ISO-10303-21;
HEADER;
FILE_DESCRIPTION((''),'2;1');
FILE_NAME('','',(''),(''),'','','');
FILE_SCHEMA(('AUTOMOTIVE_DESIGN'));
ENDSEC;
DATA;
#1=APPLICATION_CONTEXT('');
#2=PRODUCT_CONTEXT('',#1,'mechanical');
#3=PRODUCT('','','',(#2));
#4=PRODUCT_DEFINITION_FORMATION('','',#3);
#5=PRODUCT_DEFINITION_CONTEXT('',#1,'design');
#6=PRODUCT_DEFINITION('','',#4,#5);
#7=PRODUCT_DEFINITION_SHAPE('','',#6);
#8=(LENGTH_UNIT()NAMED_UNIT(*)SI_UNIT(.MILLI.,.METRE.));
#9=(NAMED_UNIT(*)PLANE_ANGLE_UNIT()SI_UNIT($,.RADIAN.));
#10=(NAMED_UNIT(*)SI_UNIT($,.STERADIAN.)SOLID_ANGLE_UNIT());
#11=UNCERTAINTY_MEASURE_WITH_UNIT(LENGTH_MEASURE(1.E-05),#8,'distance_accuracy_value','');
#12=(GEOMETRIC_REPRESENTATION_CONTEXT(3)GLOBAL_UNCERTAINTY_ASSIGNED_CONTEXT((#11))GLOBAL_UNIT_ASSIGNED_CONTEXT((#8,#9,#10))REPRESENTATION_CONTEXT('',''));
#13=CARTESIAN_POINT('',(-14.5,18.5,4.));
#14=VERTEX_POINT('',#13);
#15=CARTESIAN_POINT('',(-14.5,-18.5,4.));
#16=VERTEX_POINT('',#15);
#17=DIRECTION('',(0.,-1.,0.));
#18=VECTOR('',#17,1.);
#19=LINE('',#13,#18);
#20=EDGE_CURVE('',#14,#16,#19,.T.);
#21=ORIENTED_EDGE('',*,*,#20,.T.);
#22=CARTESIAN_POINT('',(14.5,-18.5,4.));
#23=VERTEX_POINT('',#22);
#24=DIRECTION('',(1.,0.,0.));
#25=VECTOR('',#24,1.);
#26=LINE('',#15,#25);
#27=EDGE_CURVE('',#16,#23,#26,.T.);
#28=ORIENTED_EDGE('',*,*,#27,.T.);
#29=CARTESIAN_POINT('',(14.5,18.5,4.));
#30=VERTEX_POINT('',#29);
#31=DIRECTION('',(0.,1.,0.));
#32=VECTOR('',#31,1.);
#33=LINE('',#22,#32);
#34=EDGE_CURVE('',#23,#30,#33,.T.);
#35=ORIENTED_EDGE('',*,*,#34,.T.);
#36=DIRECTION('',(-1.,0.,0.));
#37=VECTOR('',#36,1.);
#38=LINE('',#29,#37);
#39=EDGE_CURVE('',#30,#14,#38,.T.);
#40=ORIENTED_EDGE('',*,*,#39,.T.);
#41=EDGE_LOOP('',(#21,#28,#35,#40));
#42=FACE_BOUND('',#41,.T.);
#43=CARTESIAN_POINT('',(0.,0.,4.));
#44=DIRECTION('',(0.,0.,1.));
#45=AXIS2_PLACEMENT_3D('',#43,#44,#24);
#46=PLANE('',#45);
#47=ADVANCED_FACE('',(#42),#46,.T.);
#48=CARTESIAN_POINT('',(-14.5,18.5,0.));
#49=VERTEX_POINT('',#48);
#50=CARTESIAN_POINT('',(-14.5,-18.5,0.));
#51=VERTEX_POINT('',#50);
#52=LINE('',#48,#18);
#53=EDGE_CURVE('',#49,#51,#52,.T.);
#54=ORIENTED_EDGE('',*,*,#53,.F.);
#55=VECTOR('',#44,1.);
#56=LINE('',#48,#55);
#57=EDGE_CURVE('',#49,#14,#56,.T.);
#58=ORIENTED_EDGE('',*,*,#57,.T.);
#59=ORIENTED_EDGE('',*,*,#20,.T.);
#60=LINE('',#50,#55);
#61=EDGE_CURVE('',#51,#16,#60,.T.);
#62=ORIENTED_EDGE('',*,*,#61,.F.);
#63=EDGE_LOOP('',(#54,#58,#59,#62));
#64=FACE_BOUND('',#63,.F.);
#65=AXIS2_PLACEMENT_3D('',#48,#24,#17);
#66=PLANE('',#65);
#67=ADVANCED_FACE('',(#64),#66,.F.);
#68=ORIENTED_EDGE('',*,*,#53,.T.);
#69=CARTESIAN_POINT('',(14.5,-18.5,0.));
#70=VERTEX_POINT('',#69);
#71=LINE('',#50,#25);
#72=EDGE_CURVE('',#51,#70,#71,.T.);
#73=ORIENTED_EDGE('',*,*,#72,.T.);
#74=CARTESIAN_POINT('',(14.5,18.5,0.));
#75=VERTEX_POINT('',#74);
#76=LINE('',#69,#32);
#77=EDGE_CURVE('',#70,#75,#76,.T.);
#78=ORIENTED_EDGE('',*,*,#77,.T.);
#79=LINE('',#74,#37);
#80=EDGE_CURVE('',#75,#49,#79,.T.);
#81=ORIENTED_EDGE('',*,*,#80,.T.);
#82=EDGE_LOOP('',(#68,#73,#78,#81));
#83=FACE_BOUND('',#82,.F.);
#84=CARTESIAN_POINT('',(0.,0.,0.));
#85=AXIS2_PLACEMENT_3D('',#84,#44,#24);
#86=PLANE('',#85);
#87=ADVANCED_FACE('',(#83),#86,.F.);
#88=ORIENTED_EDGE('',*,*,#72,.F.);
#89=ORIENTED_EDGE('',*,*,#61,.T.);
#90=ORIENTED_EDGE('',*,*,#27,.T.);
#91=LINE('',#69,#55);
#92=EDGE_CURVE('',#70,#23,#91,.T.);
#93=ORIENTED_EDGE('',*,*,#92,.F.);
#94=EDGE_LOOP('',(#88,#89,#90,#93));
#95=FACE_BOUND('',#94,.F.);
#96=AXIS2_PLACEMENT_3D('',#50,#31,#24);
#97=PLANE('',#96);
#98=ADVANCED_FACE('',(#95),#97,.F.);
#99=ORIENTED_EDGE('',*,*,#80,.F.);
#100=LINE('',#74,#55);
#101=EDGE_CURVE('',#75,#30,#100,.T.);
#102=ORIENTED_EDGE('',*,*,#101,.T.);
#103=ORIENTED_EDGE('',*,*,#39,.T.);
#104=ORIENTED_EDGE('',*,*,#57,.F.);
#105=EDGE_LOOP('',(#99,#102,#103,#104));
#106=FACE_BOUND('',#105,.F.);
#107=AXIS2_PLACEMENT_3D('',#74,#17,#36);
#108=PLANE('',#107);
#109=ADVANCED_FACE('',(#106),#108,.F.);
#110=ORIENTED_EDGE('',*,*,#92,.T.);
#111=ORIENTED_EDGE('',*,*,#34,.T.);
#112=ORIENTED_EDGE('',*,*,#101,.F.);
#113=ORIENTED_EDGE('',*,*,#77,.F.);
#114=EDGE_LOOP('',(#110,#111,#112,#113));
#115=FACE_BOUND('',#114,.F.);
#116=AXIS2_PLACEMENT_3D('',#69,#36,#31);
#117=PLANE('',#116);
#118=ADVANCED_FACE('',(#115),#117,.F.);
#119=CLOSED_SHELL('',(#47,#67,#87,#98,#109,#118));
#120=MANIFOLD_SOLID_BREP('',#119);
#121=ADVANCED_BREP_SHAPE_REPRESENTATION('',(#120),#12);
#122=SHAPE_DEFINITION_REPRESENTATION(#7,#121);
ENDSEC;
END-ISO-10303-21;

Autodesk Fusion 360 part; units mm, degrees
sketch "Sketch1" plane through (0, 0, 0) normal (0, 0, 1) x (1, 0, 0)
  line L0 (-14.5, -18.5) -> (14.5, -18.5)
  line L1 (14.5, -18.5) -> (14.5, 18.5)
  line L2 (14.5, 18.5) -> (-14.5, 18.5)
  line L3 (-14.5, 18.5) -> (-14.5, -18.5)
  line L4 (-14.5, 18.5) -> (14.5, -18.5) construction
  dimension "d1" = 29
  dimension "d2" = 37
extrude "Extrude1" add sketch "Sketch1" along normal blind 4
